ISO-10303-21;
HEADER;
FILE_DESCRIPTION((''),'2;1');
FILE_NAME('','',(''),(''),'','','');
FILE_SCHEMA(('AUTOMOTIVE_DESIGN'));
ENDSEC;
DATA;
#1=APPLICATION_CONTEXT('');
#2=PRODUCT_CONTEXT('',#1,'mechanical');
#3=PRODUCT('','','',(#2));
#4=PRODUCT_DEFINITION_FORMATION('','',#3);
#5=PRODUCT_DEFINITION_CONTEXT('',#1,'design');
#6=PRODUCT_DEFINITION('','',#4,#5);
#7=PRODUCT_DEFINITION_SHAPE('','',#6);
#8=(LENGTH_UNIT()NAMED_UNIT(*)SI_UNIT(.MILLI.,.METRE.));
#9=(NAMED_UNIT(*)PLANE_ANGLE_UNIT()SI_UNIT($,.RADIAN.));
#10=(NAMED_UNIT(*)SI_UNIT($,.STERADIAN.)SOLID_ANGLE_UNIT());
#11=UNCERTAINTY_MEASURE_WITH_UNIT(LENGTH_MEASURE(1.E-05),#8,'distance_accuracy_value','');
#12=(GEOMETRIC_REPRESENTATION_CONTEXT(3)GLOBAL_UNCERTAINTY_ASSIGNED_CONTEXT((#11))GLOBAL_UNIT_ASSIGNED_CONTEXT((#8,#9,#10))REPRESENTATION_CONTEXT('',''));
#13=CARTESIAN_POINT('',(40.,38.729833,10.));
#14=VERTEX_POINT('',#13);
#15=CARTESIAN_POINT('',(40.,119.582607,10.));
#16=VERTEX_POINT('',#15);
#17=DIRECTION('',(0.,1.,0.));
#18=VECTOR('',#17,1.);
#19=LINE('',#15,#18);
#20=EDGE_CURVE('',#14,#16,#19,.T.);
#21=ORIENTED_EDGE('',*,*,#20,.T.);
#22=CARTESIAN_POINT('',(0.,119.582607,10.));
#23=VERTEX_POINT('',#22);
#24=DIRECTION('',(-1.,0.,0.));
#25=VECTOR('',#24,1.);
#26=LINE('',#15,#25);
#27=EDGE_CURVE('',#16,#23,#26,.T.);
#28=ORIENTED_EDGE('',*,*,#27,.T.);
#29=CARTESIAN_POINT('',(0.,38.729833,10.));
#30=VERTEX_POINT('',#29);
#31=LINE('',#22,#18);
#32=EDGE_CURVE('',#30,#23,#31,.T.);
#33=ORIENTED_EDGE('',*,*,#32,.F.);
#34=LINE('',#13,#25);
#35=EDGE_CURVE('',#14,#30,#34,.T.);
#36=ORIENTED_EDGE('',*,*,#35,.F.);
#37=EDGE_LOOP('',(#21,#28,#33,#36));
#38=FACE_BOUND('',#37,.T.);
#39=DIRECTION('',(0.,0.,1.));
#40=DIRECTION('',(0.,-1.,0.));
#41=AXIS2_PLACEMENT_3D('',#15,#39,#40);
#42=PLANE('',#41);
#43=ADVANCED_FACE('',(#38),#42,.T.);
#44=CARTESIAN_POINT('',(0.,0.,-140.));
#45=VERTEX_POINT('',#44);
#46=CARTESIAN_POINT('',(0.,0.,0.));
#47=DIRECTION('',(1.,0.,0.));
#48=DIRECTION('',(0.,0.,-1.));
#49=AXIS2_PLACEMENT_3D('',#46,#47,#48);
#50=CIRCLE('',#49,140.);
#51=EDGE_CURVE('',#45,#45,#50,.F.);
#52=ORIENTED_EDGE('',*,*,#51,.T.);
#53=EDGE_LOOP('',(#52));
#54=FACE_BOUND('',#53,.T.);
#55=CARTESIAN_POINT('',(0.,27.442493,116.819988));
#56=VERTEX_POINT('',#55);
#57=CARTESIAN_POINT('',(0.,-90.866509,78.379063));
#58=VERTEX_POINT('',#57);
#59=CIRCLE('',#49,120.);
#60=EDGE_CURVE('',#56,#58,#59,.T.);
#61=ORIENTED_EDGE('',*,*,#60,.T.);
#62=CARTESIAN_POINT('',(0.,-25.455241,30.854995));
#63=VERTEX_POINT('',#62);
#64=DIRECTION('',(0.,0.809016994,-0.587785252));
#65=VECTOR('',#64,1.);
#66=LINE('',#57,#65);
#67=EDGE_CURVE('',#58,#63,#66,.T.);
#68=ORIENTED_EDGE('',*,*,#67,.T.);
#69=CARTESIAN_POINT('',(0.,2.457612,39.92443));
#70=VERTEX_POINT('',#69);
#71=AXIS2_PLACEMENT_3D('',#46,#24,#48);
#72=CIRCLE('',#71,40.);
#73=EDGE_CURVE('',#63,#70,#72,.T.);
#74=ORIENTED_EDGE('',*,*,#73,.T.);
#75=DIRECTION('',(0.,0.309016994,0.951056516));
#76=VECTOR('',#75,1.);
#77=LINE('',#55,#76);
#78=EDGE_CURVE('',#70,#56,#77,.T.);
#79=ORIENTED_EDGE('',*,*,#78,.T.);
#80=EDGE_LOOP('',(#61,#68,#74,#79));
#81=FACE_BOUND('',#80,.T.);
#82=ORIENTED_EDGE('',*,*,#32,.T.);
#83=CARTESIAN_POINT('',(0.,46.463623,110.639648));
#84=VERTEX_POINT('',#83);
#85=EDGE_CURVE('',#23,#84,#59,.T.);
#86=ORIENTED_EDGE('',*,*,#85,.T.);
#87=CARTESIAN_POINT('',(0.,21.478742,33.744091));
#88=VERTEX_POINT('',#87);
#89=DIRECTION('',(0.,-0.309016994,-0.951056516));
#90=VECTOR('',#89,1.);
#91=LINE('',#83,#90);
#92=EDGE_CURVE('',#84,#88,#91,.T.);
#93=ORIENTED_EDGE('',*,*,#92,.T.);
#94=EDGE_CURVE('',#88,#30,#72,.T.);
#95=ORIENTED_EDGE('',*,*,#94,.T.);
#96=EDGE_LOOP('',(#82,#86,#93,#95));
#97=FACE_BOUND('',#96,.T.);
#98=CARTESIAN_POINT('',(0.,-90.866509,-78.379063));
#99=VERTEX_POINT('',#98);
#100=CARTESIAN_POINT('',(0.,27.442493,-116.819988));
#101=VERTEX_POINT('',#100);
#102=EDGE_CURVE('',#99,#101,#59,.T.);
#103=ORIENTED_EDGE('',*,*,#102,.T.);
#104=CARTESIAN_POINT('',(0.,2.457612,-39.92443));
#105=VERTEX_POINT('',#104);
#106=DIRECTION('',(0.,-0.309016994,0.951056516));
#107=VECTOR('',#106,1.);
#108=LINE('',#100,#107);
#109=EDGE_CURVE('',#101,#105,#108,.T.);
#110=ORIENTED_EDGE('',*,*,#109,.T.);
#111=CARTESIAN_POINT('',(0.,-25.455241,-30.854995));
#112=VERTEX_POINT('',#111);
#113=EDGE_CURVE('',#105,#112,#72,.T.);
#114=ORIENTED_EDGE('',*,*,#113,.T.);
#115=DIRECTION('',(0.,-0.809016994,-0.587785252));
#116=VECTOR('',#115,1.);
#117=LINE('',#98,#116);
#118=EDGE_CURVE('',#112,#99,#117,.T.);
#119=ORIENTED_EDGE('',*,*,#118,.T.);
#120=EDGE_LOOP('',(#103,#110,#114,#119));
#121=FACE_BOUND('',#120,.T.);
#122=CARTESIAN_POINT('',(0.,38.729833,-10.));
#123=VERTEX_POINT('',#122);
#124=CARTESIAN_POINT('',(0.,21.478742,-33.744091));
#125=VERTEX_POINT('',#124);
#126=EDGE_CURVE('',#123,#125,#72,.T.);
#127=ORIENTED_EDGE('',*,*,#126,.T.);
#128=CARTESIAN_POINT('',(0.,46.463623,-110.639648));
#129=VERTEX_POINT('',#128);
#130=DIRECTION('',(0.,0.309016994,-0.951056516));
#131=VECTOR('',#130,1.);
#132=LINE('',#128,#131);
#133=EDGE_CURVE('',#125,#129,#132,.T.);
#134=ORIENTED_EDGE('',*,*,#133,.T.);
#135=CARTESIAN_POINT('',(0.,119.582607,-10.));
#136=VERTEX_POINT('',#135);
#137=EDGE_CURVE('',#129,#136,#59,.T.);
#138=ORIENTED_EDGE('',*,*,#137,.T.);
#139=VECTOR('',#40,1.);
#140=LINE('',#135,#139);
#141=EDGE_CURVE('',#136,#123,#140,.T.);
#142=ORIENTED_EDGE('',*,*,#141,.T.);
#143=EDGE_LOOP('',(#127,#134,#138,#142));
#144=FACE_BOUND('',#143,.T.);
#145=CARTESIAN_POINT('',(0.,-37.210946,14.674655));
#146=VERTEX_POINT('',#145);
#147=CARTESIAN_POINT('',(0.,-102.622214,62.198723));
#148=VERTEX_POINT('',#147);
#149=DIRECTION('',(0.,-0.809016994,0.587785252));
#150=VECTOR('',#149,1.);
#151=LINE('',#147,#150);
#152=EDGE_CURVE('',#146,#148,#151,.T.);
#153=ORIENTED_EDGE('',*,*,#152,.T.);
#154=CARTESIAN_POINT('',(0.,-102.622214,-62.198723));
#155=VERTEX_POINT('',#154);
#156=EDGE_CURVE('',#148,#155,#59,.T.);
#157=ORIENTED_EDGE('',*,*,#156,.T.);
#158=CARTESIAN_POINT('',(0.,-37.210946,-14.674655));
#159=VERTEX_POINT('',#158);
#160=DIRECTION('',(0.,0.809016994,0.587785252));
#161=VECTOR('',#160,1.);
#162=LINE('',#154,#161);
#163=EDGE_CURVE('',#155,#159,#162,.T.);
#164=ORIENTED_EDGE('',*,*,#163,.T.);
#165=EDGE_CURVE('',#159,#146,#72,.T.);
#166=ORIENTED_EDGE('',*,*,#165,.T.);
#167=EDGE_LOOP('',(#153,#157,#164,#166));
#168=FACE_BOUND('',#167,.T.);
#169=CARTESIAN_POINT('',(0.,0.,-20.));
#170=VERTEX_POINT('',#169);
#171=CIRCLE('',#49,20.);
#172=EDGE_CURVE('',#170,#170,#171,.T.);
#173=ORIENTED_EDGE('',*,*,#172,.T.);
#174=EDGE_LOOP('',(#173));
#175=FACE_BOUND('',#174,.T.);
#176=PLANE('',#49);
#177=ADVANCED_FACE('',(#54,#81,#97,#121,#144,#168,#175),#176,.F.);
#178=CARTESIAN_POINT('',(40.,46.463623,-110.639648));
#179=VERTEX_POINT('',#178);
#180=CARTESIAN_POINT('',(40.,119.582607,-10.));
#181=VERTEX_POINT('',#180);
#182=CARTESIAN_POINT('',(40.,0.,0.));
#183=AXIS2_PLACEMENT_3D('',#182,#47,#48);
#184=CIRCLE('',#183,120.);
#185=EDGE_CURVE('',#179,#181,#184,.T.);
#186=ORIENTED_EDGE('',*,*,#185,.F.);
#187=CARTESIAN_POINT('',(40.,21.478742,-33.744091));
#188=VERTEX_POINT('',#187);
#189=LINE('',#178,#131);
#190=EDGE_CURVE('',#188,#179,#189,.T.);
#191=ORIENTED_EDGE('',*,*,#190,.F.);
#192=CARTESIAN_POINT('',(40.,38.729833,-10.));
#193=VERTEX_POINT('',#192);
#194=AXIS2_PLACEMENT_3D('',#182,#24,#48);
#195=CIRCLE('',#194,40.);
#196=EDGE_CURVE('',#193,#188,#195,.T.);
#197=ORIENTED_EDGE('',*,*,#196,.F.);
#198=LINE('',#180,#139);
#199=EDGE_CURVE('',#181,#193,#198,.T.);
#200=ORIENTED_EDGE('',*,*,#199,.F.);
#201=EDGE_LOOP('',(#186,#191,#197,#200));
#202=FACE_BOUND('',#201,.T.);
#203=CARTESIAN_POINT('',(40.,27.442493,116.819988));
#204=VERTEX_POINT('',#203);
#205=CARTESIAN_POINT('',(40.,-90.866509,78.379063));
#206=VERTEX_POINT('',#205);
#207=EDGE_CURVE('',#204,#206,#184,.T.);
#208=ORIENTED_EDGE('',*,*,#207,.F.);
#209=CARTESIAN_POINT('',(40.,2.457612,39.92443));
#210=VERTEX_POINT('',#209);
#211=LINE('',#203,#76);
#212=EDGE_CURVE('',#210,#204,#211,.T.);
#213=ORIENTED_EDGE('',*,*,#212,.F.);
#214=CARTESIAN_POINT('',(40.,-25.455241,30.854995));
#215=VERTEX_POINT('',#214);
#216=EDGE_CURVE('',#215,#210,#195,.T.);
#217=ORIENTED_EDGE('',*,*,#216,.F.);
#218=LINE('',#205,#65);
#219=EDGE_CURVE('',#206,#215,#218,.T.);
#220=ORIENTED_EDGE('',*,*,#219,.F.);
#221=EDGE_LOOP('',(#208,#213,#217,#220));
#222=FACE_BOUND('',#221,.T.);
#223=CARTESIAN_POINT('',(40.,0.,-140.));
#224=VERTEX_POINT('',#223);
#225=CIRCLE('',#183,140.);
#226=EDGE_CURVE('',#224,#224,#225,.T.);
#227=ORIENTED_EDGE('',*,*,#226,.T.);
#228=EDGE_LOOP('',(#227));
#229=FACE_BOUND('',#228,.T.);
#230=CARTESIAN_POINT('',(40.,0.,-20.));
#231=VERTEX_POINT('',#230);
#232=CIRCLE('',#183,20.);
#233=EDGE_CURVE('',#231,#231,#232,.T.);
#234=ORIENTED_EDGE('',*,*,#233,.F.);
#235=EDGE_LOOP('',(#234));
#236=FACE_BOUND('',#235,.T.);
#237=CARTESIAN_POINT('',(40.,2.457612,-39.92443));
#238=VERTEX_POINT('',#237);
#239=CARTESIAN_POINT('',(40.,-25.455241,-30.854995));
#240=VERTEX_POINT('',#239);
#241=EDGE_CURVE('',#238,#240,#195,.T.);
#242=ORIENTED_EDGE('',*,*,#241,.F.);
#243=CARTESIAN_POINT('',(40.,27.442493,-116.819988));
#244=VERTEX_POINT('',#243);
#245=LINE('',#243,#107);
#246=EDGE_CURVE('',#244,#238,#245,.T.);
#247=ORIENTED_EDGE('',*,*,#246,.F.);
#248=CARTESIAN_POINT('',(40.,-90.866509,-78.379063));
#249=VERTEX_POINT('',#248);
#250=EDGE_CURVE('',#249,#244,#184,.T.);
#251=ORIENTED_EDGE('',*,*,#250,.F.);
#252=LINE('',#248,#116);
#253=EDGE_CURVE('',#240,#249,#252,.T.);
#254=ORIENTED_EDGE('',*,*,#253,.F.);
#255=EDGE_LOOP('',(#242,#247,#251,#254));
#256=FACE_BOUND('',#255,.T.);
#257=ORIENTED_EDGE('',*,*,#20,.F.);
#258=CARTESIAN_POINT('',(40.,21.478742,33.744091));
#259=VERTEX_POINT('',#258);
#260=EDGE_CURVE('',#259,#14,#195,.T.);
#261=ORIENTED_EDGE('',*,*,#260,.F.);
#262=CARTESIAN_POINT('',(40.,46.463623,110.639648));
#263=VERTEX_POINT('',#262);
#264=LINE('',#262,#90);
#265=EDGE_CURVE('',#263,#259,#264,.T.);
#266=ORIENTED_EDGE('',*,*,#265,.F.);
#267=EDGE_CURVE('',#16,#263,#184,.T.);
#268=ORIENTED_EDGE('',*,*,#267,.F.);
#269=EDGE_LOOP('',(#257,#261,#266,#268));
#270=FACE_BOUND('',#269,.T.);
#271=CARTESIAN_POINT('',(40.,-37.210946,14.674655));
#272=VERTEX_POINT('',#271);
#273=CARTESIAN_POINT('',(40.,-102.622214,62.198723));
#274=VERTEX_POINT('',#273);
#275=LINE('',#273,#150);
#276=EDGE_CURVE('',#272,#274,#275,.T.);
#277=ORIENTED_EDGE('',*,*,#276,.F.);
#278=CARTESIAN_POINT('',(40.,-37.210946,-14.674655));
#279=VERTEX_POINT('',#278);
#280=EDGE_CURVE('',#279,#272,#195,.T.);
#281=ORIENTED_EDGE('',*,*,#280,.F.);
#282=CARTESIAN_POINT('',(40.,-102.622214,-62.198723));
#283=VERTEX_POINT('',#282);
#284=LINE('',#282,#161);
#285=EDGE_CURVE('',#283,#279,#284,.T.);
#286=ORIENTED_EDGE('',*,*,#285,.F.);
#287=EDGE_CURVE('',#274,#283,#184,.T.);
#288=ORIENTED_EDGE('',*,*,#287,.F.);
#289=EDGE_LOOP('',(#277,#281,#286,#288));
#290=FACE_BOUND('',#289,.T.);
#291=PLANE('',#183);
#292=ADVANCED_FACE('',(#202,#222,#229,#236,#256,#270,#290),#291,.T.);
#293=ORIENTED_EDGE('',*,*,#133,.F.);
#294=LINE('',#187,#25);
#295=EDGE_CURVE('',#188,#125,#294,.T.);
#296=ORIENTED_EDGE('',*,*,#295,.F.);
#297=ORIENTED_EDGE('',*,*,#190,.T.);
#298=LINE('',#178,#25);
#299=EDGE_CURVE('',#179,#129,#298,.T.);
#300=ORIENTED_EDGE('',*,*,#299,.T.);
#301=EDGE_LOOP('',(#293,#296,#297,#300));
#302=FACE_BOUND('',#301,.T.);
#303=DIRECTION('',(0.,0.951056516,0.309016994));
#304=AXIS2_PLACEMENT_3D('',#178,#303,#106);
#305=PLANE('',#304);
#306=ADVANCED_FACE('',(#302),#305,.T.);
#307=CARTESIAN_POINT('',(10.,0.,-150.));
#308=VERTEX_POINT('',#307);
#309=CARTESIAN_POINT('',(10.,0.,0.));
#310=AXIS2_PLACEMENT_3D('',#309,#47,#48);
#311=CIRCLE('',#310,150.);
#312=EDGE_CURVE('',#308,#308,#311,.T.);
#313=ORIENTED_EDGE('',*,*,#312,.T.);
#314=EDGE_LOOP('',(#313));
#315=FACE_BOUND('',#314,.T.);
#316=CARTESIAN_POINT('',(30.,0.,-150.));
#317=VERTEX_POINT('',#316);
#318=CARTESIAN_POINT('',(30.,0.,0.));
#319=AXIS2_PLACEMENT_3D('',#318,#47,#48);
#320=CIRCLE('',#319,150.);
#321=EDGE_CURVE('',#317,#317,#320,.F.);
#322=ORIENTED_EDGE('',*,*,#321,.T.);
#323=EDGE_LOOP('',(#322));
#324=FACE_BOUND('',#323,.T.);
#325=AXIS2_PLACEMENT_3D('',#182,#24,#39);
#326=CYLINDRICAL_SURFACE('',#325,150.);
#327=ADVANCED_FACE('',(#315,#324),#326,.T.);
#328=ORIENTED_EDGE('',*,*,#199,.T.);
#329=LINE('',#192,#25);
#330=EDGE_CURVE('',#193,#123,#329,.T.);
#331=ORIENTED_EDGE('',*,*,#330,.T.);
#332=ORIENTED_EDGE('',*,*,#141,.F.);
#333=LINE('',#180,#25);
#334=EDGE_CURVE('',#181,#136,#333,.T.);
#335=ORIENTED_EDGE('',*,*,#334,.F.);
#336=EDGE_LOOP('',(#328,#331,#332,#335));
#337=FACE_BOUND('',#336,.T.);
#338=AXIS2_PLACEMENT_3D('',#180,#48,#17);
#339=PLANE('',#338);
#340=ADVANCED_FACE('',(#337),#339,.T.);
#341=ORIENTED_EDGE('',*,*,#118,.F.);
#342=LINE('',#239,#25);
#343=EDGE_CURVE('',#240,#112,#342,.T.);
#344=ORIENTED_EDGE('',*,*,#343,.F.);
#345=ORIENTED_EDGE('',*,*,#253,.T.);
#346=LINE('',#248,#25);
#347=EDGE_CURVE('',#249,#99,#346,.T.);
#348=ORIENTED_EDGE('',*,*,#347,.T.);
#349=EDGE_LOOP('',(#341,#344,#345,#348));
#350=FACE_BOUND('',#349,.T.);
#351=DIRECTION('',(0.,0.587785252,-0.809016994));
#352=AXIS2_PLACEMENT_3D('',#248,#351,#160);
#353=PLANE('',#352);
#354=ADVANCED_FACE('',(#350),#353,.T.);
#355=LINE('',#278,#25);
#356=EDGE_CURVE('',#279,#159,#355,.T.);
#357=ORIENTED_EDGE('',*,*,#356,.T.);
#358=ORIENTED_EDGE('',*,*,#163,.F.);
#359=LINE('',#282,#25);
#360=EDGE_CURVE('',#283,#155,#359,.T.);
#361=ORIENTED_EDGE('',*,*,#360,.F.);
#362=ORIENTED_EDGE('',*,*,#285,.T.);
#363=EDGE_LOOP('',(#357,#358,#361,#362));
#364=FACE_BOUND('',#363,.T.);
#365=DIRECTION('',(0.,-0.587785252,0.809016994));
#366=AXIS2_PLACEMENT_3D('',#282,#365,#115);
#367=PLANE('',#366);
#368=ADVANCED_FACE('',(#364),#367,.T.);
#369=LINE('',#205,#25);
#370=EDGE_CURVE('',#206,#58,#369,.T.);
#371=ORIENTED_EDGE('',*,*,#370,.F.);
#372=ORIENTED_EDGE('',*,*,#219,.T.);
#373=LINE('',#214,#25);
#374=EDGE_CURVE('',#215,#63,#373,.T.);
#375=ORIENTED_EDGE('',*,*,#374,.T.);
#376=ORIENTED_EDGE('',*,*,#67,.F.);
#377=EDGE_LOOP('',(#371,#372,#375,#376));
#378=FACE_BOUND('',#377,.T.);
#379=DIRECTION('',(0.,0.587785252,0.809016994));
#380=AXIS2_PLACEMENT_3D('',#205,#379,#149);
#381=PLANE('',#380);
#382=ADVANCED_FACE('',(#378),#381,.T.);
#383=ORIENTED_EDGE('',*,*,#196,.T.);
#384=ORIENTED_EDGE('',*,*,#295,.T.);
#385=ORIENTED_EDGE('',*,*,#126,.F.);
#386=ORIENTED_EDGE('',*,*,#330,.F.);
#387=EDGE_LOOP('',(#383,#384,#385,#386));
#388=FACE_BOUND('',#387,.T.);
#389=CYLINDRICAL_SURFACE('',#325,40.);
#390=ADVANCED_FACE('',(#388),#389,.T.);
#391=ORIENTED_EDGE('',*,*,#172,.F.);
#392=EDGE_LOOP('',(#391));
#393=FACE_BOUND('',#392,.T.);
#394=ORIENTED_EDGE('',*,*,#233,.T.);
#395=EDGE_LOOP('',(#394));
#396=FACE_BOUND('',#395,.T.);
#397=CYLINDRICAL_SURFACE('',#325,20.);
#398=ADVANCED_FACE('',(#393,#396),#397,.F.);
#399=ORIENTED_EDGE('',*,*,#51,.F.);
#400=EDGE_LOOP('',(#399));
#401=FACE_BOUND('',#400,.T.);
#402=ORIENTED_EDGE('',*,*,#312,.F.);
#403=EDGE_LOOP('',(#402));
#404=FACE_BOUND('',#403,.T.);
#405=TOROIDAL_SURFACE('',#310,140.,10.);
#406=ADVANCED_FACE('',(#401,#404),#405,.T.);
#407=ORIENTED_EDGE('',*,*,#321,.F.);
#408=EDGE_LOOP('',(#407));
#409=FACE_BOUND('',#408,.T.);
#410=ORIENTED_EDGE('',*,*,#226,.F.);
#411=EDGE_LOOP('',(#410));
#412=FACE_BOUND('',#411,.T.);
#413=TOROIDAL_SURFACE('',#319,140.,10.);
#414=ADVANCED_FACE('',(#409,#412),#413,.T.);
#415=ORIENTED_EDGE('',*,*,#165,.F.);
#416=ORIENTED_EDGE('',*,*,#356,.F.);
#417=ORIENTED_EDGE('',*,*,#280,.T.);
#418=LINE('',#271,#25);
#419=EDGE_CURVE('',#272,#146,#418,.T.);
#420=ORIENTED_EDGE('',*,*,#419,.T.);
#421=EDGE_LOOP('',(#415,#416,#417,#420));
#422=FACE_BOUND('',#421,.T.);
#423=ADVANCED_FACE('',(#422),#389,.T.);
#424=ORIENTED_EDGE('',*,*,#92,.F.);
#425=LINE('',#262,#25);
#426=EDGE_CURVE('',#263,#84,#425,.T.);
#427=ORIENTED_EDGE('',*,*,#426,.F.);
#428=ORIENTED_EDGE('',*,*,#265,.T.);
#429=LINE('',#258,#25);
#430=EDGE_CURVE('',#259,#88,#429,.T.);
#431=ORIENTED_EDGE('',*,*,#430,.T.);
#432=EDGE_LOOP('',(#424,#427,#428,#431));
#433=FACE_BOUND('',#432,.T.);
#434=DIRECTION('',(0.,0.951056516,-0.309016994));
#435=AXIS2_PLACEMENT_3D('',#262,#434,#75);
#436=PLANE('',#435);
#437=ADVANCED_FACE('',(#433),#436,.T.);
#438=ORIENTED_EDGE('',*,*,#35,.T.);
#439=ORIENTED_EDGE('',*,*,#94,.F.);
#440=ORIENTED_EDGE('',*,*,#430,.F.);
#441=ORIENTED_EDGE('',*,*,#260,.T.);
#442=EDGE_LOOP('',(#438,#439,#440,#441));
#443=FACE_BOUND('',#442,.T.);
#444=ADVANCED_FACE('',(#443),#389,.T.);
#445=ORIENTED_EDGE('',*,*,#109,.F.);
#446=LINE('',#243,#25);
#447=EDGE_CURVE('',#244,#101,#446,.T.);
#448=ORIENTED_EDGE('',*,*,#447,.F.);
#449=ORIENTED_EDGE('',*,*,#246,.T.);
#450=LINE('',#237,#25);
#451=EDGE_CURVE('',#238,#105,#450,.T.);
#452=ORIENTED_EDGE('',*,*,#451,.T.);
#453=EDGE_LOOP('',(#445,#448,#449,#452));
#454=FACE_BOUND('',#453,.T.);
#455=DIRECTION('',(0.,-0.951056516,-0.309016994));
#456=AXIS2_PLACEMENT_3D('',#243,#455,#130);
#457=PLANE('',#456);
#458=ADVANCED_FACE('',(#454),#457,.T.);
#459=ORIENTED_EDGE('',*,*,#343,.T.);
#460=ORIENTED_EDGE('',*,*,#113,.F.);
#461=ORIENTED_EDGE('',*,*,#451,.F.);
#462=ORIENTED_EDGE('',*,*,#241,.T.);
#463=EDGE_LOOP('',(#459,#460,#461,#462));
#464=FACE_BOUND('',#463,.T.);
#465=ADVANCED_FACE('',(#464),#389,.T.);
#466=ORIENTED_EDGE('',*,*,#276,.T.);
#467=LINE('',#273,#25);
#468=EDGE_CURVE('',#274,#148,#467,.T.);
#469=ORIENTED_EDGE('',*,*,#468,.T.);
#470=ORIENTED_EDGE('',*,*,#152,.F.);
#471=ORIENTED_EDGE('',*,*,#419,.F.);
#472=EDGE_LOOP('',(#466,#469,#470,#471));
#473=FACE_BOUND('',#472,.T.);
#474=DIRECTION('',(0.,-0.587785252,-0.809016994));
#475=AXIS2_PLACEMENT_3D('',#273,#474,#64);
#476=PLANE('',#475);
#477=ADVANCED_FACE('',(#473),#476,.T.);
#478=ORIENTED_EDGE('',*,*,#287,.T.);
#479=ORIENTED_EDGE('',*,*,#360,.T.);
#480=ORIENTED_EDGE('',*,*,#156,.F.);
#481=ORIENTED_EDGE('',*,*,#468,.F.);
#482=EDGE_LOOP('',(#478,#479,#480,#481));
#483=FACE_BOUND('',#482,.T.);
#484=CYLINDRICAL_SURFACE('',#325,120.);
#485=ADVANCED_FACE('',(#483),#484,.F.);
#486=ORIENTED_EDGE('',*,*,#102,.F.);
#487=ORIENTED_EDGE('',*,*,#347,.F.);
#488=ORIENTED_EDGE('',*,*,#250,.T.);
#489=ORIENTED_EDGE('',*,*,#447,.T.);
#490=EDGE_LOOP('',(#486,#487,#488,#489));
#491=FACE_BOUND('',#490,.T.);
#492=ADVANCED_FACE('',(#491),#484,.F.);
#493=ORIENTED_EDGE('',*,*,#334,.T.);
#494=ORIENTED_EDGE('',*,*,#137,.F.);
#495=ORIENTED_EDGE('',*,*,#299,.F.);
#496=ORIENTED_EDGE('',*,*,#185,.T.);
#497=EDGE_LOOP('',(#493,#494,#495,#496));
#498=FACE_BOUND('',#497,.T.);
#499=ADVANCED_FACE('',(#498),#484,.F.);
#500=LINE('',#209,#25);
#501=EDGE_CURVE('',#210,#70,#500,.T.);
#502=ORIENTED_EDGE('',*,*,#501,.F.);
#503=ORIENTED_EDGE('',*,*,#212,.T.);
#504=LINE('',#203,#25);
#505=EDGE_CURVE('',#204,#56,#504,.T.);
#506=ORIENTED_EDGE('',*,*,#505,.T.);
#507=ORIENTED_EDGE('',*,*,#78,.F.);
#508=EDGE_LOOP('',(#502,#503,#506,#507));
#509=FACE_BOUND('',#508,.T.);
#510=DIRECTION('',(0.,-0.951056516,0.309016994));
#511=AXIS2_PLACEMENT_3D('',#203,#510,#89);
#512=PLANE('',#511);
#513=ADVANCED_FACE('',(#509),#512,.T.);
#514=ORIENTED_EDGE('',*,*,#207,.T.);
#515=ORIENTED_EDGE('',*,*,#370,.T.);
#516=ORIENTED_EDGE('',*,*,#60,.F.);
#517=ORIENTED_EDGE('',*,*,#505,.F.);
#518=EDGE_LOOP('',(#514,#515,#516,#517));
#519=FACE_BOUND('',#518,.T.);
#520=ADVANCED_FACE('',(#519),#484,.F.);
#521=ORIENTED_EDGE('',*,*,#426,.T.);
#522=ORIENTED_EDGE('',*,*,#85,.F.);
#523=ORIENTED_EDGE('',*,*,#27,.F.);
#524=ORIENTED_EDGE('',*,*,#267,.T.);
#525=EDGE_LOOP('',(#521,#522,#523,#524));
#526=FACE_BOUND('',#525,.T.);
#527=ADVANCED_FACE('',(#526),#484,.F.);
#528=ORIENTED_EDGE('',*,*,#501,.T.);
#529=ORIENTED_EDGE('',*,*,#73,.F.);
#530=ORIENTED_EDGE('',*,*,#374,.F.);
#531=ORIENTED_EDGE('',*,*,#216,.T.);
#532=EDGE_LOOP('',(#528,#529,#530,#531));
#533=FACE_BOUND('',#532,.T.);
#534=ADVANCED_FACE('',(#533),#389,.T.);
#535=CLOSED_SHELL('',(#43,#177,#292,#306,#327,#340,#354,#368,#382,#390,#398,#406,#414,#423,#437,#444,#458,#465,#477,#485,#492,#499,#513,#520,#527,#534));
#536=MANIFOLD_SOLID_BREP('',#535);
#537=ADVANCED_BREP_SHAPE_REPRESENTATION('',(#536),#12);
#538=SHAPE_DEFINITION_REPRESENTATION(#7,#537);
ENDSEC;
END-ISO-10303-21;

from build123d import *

# Parameters (mm, degrees)
SKETCH2_R           = 150
SKETCH2_R_2         = 20
BOSS_EXTRUDE1_DEPTH = 40
FILLET1_R           = 10


with BuildPart() as part:
    # Sketch2 → Boss-Extrude1 (new body)
    with BuildSketch(Plane(origin=(0, 0, 0), x_dir=(0, 0, -1), z_dir=(1, 0, 0))):
        Circle(SKETCH2_R)
        Circle(SKETCH2_R_2, mode=Mode.SUBTRACT)
        with BuildLine():
            Line((110.639648089, 46.463623091), (33.744090545, 21.478741892))
            ThreePointArc((33.744090545, 21.478741892), (23.511410092, 32.360679775), (10, 38.729833462))
            Line((10, 38.729833462), (10, 119.582607431))
            ThreePointArc((10, 119.582607431), (70.534230275, 97.082039325), (110.639648089, 46.463623091))
        make_face(mode=Mode.SUBTRACT)
        with BuildLine():
            Line((-10, 119.582607431), (-10, 38.729833462))
            ThreePointArc((-10, 38.729833462), (-23.511410092, 32.360679775), (-33.744090545, 21.478741892))
            Line((-33.744090545, 21.478741892), (-110.639648089, 46.463623091))
            ThreePointArc((-110.639648089, 46.463623091), (-70.534230275, 97.082039325), (-10, 119.582607431))
        make_face(mode=Mode.SUBTRACT)
        with BuildLine():
            Line((116.819987977, 27.442492765), (39.924430433, 2.457611566))
            ThreePointArc((39.924430433, 2.457611566), (38.042260652, -12.360679775), (30.854994877, -25.455240937))
            Line((30.854994877, -25.455240937), (78.379063022, -90.86650912))
            ThreePointArc((78.379063022, -90.86650912), (114.126781955, -37.082039325), (116.819987977, 27.442492765))
        make_face(mode=Mode.SUBTRACT)
        with BuildLine():
            Line((62.198723135, -102.622214166), (14.674654989, -37.210945983))
            ThreePointArc((14.674654989, -37.210945983), (0, -40), (-14.674654989, -37.210945983))
            Line((-14.674654989, -37.210945983), (-62.198723135, -102.622214166))
            ThreePointArc((-62.198723135, -102.622214166), (0, -120), (62.198723135, -102.622214166))
        make_face(mode=Mode.SUBTRACT)
        with BuildLine():
            Line((-78.379063022, -90.86650912), (-30.854994877, -25.455240937))
            ThreePointArc((-30.854994877, -25.455240937), (-38.042260652, -12.360679775), (-39.924430433, 2.457611566))
            Line((-39.924430433, 2.457611566), (-116.819987977, 27.442492765))
            ThreePointArc((-116.819987977, 27.442492765), (-114.126781955, -37.082039325), (-78.379063022, -90.86650912))
        make_face(mode=Mode.SUBTRACT)
    extrude(amount=BOSS_EXTRUDE1_DEPTH)

    # Fillet1
    fillet1_edges = [part.edges().sort_by_distance(p)[0] for p in [
        (0, 0, 150),
        (40, 0, 150),
    ]]
    fillet(fillet1_edges, radius=FILLET1_R)


solid = part.part
